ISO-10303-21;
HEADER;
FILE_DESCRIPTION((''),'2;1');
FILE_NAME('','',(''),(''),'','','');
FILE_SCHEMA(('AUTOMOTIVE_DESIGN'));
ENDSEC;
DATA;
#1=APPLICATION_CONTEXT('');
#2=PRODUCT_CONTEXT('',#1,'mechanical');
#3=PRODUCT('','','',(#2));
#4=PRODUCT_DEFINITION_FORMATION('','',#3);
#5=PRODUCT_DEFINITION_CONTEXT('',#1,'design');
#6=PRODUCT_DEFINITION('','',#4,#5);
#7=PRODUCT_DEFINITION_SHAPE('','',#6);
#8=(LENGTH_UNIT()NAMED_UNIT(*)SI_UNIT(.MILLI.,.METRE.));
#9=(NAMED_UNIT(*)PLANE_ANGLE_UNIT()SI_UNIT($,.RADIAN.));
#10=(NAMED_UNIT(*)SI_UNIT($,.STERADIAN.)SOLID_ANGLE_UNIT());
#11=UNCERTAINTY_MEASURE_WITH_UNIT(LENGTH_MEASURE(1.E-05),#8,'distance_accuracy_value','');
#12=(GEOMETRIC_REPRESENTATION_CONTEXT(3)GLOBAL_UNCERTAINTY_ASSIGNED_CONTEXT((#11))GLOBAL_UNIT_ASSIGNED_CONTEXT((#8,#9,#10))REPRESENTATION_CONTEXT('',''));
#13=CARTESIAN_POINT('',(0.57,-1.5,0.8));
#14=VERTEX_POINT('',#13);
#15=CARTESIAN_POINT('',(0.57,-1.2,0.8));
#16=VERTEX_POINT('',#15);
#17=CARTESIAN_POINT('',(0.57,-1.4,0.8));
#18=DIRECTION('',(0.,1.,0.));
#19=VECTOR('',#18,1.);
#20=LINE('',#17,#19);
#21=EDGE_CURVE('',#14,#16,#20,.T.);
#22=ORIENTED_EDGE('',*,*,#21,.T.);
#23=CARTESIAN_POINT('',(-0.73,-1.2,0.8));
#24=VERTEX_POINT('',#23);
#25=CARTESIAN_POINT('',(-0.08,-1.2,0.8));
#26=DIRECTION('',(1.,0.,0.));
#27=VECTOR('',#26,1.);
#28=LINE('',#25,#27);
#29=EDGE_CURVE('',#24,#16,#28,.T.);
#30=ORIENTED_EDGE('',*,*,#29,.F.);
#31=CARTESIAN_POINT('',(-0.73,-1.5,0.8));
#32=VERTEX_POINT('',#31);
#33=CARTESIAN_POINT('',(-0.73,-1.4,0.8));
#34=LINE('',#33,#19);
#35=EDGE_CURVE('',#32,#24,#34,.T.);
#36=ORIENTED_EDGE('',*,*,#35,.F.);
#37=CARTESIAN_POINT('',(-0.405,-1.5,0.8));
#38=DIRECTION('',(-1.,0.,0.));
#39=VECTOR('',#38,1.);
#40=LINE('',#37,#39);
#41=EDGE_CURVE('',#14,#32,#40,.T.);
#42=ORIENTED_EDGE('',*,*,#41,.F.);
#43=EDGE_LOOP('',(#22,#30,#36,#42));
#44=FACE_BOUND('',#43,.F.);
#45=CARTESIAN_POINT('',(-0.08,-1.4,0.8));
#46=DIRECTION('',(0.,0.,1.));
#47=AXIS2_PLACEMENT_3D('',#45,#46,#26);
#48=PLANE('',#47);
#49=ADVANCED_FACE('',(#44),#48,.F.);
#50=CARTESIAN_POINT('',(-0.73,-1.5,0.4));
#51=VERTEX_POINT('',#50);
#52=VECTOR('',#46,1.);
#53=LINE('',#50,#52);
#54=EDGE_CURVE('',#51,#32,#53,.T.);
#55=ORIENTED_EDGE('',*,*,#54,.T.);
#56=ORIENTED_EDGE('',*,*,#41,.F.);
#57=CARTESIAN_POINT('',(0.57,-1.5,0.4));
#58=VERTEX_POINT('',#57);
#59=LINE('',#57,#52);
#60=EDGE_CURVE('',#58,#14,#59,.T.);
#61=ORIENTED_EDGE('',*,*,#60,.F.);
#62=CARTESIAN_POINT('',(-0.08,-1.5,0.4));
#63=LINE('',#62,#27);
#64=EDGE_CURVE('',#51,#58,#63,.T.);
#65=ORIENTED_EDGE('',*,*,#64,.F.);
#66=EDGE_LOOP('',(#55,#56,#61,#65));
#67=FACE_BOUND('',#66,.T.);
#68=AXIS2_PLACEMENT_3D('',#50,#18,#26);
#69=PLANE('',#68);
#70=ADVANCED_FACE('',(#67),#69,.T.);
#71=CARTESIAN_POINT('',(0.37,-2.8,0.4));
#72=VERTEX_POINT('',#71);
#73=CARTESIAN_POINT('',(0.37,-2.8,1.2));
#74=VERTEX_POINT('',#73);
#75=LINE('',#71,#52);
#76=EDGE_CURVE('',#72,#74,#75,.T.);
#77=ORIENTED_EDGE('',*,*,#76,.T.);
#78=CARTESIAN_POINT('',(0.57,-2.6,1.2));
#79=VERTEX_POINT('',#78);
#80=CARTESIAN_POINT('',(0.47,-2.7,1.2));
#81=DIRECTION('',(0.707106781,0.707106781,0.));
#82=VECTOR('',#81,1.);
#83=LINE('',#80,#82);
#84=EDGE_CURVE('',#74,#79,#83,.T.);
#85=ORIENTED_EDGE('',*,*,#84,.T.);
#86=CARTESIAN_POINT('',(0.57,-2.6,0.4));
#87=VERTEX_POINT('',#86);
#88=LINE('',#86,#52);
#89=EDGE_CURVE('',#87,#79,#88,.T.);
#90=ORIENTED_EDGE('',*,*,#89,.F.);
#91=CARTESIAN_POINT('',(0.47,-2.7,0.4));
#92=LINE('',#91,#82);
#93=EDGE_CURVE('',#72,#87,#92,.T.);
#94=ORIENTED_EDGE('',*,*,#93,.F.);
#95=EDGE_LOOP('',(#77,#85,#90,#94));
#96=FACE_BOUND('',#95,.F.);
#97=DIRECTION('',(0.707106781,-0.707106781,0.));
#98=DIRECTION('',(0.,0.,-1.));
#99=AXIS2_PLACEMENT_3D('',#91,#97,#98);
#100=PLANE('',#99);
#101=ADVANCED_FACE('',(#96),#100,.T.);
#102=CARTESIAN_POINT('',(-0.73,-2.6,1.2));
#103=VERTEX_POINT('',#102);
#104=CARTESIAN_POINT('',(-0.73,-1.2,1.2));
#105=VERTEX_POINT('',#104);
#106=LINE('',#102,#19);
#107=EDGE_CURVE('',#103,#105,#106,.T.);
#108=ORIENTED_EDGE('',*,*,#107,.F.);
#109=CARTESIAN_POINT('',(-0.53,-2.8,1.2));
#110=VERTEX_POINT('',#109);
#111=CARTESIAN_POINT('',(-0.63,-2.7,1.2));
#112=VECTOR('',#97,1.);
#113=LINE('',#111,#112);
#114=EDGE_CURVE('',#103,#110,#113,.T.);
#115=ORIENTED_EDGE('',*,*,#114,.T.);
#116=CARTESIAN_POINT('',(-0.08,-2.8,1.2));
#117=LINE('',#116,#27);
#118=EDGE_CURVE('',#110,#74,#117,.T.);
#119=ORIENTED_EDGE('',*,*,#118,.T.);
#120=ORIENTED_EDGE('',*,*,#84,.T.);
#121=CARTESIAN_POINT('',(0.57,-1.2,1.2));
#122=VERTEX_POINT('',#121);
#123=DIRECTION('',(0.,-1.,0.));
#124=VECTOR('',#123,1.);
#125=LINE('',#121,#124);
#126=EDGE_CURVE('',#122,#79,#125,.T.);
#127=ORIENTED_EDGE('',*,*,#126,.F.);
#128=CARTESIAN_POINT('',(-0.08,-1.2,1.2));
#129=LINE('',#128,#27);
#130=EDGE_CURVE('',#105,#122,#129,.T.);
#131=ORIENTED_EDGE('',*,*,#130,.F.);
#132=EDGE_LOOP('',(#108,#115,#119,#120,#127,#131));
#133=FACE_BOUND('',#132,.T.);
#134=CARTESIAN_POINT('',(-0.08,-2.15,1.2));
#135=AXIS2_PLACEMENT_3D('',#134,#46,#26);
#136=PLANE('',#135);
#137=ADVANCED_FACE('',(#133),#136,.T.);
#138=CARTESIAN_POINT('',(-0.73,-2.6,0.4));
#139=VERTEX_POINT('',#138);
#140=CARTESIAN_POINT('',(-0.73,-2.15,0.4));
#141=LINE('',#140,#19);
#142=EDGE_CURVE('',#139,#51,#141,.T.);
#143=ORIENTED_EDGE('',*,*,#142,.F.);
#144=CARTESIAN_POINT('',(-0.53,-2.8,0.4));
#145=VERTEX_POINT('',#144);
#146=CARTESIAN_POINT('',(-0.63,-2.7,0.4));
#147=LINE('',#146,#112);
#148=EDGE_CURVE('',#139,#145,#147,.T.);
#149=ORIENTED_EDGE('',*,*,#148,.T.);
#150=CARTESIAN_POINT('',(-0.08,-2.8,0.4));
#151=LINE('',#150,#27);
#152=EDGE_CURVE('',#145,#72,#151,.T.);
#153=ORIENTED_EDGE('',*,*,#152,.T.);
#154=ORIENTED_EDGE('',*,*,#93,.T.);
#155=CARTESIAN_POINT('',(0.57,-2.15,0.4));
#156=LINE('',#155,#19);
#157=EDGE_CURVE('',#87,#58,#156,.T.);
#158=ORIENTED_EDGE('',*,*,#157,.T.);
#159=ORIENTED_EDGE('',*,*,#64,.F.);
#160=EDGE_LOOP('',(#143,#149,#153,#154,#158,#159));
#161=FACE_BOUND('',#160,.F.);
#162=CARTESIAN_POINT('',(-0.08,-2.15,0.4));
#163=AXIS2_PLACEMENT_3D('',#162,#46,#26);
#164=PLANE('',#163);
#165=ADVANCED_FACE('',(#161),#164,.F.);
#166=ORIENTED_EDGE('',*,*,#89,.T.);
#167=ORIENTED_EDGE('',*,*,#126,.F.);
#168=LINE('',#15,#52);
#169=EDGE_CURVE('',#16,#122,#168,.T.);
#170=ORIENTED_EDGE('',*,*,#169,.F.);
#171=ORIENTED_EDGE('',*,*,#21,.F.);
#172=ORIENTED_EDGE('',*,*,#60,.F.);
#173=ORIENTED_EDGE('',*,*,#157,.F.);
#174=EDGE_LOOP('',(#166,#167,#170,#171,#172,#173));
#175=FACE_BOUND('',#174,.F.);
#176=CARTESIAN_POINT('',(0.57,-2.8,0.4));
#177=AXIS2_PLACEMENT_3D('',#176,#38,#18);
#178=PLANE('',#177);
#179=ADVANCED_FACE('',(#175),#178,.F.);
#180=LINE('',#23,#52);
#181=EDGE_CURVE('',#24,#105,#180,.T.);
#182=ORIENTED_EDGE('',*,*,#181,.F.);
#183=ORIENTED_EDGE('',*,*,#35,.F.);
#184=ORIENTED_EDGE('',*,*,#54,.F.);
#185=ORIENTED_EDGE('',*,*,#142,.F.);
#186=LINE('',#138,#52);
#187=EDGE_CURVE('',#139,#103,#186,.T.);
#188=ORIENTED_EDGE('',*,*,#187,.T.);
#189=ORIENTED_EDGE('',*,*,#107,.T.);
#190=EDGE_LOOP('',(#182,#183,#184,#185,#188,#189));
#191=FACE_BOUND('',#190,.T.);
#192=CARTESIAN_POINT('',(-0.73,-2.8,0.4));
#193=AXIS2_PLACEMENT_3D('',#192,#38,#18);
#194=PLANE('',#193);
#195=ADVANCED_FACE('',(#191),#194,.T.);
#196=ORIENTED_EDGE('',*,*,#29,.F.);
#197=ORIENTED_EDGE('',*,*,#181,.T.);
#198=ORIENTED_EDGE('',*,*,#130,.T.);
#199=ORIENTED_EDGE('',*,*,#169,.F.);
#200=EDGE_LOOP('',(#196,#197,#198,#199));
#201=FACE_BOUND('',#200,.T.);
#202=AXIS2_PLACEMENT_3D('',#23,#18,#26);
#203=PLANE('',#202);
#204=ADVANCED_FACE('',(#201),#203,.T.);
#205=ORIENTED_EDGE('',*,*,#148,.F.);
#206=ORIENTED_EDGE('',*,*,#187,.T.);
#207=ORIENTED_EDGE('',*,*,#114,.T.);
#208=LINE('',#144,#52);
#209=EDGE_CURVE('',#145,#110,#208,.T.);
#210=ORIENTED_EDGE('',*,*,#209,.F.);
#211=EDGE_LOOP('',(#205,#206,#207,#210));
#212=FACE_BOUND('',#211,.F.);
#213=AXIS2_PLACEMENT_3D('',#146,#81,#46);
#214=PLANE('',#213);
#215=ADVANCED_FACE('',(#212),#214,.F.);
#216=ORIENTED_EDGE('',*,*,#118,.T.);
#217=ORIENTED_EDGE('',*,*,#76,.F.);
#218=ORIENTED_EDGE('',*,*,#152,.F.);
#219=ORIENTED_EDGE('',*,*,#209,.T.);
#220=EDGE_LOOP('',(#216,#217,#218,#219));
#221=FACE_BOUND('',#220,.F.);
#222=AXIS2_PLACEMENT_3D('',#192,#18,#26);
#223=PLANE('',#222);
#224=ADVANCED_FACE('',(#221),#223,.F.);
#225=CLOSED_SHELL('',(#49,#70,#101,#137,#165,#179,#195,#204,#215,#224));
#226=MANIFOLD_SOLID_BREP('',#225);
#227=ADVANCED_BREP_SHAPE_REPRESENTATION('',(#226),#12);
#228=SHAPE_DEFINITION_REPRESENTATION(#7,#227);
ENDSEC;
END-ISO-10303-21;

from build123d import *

# Parameters (mm, degrees)
BOX002_W        = 1.3
BOX002_H        = 1.3
BOX002_DEPTH    = 0.8
CHAMFER_SIZE    = 0.2
CHAMFER001_SIZE = 0.2
BOX001_W        = 1.3
BOX001_H        = 0.4
BOX001_DEPTH    = 0.4


with BuildPart() as chamfer001:
    # Box002 → Box002 (new body)
    with BuildSketch(Plane(origin=(-0.08, -2.8, 0.4), x_dir=(1, 0, 0), z_dir=(0, 0, 1))):
        with Locations((0.65, 0.65)):
            Rectangle(BOX002_W, BOX002_H)
    extrude(amount=BOX002_DEPTH)

    # Chamfer
    chamfer_edges = [chamfer001.edges().sort_by_distance(p)[0] for p in [
        (-0.08, -2.8, 0.8),
    ]]
    chamfer(chamfer_edges, length=CHAMFER_SIZE)

    # Chamfer001
    chamfer001_edges = [chamfer001.edges().sort_by_distance(p)[0] for p in [
        (1.22, -2.8, 0.8),
    ]]
    chamfer(chamfer001_edges, length=CHAMFER001_SIZE)


with BuildPart() as fusion:
    # Box001 → Box001 (new body)
    with BuildSketch(Plane(origin=(-0.08, -1.6, 0.8), x_dir=(1, 0, 0), z_dir=(0, 0, 1))):
        with Locations((0.65, 0.2)):
            Rectangle(BOX001_W, BOX001_H)
    extrude(amount=BOX001_DEPTH)

    # Fusion: union Chamfer001
    add(chamfer001.part)


with BuildPart() as fusion_1:
    # Fusion placement: moved
    add(fusion.part.moved(Location((-0.65, 0, 0))))


solid = fusion_1.part
